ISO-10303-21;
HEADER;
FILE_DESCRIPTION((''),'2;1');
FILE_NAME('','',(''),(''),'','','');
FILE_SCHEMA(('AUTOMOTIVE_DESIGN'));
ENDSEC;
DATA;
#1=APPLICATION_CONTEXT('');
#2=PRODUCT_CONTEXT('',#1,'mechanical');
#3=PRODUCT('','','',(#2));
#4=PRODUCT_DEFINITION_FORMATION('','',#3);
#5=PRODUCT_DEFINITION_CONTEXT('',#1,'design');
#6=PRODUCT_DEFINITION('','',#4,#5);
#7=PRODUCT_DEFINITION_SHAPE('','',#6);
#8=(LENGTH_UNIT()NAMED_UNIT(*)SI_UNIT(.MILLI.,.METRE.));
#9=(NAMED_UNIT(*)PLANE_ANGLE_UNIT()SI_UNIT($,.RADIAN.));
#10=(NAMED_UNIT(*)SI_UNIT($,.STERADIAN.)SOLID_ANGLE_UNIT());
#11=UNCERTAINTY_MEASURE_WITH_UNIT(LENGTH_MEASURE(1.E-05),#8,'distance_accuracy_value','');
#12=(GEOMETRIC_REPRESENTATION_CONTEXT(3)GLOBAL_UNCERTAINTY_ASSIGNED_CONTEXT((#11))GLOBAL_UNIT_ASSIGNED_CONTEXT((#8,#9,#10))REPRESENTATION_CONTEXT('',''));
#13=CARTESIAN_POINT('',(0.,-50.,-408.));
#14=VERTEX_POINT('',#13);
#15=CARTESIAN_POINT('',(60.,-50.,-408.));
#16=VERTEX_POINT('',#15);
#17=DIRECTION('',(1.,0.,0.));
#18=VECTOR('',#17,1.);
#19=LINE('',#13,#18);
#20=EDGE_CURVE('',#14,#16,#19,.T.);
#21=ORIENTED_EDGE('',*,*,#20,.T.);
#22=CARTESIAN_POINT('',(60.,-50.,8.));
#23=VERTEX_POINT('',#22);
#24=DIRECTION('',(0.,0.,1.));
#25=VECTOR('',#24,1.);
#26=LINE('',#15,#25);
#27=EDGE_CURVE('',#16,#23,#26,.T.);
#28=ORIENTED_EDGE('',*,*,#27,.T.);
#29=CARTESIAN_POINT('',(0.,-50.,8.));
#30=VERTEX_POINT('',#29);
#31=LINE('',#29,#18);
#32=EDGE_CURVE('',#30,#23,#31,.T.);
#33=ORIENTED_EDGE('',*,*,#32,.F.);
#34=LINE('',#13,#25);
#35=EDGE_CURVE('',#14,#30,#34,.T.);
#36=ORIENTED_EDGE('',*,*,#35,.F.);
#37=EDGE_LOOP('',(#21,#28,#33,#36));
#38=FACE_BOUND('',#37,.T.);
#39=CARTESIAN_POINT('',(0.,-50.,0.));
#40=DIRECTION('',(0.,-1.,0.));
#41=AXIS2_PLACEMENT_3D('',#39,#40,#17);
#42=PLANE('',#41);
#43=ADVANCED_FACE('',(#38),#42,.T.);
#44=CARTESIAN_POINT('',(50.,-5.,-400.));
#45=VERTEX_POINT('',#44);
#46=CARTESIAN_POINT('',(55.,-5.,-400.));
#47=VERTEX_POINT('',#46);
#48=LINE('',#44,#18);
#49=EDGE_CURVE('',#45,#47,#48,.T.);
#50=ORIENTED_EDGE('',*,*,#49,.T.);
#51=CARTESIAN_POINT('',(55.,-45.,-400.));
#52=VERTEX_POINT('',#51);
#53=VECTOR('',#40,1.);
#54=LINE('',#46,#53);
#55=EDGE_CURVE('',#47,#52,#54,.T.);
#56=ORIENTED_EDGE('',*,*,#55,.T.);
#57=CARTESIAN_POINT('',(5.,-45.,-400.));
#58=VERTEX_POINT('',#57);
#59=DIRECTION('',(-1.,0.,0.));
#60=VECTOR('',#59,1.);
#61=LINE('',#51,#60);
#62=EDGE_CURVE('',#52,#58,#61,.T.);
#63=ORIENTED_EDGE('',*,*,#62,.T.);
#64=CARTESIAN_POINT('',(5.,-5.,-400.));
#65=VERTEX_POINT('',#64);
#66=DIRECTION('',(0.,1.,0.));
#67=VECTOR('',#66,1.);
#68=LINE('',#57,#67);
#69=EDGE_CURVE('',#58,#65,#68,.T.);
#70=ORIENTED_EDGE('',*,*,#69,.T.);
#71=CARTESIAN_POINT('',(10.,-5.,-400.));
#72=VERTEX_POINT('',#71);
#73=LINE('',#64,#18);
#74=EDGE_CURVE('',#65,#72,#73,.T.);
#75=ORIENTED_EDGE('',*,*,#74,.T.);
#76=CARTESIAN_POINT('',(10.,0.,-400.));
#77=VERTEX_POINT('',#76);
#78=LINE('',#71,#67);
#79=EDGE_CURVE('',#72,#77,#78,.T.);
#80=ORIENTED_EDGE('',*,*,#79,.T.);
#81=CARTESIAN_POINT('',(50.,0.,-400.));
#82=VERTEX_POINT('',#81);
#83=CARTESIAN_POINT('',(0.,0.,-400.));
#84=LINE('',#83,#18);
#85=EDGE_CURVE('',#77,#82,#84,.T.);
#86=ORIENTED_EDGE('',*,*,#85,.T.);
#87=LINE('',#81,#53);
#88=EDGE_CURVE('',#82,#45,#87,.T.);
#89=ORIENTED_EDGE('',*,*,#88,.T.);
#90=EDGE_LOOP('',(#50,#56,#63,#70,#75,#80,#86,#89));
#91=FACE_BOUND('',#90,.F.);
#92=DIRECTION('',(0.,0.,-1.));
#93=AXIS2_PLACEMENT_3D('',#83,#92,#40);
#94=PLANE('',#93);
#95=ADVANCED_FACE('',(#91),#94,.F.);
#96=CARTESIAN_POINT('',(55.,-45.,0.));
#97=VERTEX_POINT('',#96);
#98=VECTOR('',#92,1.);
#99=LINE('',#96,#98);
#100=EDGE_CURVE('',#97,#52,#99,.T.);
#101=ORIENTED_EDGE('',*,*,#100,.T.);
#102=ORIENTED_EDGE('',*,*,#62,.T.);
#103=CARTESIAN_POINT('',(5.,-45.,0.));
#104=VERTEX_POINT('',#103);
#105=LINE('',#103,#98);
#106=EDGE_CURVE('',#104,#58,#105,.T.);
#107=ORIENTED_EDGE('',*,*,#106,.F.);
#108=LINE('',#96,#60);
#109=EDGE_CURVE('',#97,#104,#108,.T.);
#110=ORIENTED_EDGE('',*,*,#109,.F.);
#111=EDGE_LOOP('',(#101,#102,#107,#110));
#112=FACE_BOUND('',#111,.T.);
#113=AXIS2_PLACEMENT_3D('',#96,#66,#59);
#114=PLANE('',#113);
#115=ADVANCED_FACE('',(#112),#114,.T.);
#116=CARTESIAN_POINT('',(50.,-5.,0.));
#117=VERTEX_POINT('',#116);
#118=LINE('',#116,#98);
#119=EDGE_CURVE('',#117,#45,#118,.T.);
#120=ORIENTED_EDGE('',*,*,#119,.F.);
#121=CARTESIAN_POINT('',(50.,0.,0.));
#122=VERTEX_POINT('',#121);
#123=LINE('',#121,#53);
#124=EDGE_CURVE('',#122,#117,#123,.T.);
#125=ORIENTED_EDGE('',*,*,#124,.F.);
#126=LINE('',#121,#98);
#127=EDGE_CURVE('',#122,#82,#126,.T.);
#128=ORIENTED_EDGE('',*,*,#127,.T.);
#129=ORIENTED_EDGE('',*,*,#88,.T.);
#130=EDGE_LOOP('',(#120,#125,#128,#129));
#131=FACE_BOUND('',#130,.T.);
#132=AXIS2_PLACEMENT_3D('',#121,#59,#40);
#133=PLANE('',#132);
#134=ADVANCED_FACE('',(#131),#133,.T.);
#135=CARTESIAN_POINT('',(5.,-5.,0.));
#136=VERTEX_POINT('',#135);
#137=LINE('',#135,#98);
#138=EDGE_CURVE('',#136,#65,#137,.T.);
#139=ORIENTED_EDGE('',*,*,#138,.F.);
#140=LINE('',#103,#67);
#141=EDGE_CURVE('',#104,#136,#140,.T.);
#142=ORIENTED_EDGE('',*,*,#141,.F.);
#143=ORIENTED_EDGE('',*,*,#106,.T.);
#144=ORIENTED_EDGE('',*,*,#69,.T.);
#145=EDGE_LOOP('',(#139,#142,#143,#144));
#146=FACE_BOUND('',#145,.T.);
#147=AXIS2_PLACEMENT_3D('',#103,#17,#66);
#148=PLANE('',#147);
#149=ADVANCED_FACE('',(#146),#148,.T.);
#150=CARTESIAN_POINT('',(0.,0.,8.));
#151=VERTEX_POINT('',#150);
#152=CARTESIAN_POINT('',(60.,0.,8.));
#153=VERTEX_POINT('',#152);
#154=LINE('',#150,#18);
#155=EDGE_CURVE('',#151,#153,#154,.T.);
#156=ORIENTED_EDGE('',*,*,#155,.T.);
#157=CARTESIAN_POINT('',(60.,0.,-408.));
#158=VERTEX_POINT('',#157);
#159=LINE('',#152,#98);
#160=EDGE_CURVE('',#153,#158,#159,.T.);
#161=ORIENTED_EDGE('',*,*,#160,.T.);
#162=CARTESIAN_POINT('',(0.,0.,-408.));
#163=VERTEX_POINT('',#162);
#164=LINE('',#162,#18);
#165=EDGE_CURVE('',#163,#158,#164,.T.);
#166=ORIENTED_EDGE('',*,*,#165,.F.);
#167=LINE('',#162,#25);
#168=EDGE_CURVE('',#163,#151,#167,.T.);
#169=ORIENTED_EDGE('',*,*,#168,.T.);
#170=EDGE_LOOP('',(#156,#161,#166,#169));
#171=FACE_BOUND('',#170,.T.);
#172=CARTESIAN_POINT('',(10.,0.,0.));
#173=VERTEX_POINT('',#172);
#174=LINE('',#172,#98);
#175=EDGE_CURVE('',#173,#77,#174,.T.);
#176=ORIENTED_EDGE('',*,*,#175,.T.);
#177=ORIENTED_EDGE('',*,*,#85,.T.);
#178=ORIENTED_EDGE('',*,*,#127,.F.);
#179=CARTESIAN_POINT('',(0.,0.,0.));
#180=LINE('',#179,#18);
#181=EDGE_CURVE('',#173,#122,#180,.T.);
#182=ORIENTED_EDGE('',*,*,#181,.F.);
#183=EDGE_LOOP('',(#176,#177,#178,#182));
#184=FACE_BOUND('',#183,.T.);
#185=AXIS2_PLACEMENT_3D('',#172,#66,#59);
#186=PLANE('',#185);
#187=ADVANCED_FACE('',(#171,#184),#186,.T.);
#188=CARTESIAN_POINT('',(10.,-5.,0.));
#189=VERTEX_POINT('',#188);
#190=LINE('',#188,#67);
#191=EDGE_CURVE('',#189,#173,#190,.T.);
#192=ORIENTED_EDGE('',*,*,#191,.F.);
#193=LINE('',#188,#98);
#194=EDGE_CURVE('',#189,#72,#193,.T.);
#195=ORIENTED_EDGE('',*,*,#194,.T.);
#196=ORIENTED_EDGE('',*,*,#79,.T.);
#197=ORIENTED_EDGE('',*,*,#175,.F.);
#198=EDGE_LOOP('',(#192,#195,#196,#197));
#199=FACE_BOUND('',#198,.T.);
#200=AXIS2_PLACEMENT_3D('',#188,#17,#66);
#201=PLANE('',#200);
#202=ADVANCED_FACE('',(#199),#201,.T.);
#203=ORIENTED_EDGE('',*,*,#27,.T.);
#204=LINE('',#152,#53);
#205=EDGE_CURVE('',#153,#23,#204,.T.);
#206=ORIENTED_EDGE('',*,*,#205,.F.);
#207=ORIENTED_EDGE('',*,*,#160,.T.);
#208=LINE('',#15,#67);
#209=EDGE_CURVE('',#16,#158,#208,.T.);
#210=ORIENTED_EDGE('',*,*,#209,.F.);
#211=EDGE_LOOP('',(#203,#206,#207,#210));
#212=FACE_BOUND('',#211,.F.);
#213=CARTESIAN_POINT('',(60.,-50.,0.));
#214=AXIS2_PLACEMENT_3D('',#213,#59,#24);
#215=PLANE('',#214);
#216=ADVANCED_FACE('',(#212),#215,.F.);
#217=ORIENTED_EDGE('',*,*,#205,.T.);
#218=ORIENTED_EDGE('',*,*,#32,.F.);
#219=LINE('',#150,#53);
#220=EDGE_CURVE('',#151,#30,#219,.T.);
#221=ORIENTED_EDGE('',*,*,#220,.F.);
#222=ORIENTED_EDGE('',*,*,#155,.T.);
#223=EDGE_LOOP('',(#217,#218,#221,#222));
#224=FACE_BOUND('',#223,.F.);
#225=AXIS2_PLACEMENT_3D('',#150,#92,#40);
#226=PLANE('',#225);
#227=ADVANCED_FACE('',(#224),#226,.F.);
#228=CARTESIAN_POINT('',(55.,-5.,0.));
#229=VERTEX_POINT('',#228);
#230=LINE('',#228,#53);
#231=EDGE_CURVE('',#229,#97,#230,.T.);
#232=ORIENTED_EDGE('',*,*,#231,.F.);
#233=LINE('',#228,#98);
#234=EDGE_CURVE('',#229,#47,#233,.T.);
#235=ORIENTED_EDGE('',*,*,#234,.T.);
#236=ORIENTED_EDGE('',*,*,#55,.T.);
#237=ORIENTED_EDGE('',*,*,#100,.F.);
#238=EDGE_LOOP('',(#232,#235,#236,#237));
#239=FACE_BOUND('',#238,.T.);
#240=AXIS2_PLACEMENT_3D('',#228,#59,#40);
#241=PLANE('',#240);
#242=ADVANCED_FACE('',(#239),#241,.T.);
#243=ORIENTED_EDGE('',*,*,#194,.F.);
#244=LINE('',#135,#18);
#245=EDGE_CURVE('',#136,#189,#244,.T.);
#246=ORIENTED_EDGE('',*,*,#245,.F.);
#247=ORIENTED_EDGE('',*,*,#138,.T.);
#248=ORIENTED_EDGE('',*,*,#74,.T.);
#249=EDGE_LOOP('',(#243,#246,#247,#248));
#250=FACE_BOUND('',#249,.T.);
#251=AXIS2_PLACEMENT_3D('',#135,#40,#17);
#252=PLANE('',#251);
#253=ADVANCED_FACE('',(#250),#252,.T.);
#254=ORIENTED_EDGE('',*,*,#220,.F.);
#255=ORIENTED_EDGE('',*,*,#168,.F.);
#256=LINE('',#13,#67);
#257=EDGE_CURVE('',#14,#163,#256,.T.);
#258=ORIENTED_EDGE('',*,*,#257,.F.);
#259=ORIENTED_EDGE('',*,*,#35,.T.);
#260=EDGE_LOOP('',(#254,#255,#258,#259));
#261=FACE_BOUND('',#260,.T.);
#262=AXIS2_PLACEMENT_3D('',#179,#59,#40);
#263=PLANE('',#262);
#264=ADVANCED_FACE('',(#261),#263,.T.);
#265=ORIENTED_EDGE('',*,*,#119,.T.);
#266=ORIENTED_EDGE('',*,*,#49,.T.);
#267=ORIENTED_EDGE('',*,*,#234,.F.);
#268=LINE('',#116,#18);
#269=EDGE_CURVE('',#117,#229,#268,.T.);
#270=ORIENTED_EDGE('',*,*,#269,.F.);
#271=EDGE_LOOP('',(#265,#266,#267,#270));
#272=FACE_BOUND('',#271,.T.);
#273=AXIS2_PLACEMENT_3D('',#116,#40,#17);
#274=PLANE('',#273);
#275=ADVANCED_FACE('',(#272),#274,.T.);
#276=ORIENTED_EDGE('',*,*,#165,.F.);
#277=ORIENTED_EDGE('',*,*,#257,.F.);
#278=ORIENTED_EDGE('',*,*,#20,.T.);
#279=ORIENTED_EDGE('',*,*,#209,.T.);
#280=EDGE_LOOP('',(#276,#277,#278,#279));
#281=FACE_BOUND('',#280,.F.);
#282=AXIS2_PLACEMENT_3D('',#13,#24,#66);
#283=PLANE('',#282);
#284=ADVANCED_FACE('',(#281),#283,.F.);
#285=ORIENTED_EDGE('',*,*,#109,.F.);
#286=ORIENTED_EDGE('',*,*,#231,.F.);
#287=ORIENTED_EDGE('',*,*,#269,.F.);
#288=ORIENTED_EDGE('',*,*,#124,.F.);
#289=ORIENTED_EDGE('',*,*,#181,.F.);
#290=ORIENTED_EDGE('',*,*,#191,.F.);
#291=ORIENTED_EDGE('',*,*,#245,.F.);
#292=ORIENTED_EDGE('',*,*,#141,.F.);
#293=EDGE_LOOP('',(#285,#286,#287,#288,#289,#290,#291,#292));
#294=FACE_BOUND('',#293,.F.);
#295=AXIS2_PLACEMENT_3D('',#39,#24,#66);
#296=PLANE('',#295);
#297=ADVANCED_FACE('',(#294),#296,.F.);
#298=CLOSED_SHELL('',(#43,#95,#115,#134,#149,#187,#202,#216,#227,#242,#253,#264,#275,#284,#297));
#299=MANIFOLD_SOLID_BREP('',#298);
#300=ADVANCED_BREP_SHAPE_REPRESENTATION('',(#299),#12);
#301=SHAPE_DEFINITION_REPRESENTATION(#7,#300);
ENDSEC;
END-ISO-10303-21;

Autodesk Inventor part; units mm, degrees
ref_plane "YZ Plane" through (0, 0, 0) normal (1, 0, 0) x (0, 1, 0)
ref_plane "XZ Plane" through (0, 0, 0) normal (0, 1, 0) x (-1, 0, 0)
ref_plane "XY Plane" through (0, 0, 0) normal (0, 0, 1) x (1, 0, 0)
sketch "Sketch1" plane through (0, 0, 0) normal (0, 0, 1) x (1, 0, 0)
  line L0 (0, 0) -> (0, -50)
  line L1 (0, -50) -> (60, -50)
  line L2 (60, -50) -> (60, 0)
  line L3 (60, 0) -> (50, 0)
  line L4 (50, 0) -> (50, -5)
  line L5 (50, -5) -> (55, -5)
  line L6 (55, -5) -> (55, -45)
  line L7 (55, -45) -> (5, -45)
  line L8 (5, -45) -> (5, -5)
  line L9 (5, -5) -> (10, -5)
  line L10 (10, -5) -> (10, 0)
  line L11 (10, 0) -> (0, 0)
  dimension "d0" = 50
  dimension "d1" = 60
  dimension "d2" = 10
  dimension "d3" = 5
  dimension "d4" = 5
  dimension "d5" = 40
  dimension "d6" = 50
  dimension "d7" = 40
  dimension "d8" = 5
  dimension "d9" = 5
extrude "Extrusion1" add sketch "Sketch1" against normal blind 400
ref_plane "Work Plane1" through (0, 0, -200) normal (0, 0, 1) x (1, 0, 0)
ref_plane "Work Plane2" through (30, -50, 0) normal (-1, 0, 0) x (0, 0, 1)
sketch "Sketch2" plane through (0, -50, 0) normal (-1, 0, 0) x (0, 0, 1)
  line L0 (0, 0) -> (-400, 0) projected
  line L1 (-400, 0) -> (-408, 0)
  line L2 (-408, 0) -> (-408, 50)
  line L3 (-408, 50) -> (-400, 50)
  line L4 (-400, 50) -> (-400, 0)
  line L5 (0, 45) -> (0, 50) projected
  line L6 (0, 50) -> (8, 50)
  line L7 (8, 50) -> (8, 0)
  line L8 (8, 0) -> (0, 0)
  line L9 (0, 0) -> (0, 50)
  dimension "d12" = 8
  dimension "d13" = 50
  dimension "d14" = 8
extrude "Extrusion2" add sketch "Sketch2" against normal blind 60
properties part number "balancingFrame"
